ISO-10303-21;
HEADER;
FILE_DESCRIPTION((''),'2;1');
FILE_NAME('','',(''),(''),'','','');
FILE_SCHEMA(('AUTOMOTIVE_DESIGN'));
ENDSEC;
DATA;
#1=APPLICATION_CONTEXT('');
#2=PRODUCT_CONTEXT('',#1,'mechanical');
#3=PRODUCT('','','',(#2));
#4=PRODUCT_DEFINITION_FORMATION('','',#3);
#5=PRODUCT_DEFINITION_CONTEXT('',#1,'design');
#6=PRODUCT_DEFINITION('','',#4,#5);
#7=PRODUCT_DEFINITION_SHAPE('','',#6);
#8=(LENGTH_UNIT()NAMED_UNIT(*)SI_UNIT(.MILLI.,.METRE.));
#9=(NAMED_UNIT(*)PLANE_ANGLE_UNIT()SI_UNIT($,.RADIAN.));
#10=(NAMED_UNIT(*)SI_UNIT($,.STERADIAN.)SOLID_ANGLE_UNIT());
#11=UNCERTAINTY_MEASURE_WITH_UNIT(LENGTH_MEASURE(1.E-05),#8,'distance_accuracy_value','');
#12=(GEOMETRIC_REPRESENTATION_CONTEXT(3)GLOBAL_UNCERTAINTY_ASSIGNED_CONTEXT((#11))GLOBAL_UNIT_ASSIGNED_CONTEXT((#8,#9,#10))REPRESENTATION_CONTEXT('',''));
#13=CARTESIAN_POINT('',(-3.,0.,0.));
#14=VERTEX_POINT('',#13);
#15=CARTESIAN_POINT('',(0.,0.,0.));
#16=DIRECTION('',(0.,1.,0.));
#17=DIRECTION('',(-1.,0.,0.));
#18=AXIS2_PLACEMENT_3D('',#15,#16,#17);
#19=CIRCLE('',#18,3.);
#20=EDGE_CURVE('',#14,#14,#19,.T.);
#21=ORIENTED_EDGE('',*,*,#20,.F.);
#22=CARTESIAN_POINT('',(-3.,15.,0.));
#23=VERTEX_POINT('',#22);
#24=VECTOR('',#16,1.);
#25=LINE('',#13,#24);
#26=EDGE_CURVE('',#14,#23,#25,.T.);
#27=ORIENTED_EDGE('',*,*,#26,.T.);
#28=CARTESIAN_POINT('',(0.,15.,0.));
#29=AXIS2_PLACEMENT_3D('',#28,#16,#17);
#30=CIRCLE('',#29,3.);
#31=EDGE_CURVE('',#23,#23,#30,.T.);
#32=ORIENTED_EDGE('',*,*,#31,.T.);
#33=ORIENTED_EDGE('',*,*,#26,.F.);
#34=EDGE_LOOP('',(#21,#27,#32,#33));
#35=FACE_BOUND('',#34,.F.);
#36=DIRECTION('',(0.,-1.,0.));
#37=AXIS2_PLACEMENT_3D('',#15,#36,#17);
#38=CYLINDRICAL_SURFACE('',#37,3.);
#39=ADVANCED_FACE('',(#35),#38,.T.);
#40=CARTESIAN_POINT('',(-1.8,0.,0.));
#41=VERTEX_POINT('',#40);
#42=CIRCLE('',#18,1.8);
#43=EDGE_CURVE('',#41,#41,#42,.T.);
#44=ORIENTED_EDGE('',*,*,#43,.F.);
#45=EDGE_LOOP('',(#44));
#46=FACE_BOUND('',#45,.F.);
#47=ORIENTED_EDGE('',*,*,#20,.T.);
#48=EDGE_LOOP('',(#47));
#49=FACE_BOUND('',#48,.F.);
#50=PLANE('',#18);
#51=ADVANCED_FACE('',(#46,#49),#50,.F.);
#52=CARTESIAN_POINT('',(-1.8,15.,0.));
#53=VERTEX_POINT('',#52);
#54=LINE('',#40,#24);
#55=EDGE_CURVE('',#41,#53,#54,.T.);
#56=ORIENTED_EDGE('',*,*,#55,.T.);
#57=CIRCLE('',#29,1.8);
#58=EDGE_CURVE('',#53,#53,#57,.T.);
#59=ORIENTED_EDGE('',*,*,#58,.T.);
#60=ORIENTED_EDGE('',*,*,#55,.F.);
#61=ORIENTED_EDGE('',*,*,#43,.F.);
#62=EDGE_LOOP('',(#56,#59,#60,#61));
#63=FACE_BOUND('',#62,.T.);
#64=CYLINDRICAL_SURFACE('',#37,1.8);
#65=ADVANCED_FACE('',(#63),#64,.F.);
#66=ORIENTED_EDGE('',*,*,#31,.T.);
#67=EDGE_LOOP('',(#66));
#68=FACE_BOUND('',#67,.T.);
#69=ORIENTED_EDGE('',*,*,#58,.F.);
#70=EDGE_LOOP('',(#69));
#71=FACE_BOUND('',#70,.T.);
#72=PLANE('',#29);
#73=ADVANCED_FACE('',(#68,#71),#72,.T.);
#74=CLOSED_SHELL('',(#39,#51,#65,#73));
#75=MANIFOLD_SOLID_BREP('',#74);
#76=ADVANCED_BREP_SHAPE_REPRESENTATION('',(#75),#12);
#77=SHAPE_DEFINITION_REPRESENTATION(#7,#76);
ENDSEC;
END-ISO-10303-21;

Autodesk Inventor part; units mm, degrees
ref_plane "YZ Plane" through (0, 0, 0) normal (1, 0, 0) x (0, 1, 0)
ref_plane "XZ Plane" through (0, 0, 0) normal (0, 1, 0) x (-1, 0, 0)
ref_plane "XY Plane" through (0, 0, 0) normal (0, 0, 1) x (1, 0, 0)
sketch "Esquisse1" plane through (0, 0, 0) normal (0, 1, 0) x (-1, 0, 0)
  circle A0 centre (0, 0) radius 3
  circle A1 centre (0, 0) radius 1.8
  dimension "d0" = 3.6
  dimension "d1" = 6
extrude "Extrusion1" add sketch "Esquisse1" along normal blind 15
properties part number "entretoise"
